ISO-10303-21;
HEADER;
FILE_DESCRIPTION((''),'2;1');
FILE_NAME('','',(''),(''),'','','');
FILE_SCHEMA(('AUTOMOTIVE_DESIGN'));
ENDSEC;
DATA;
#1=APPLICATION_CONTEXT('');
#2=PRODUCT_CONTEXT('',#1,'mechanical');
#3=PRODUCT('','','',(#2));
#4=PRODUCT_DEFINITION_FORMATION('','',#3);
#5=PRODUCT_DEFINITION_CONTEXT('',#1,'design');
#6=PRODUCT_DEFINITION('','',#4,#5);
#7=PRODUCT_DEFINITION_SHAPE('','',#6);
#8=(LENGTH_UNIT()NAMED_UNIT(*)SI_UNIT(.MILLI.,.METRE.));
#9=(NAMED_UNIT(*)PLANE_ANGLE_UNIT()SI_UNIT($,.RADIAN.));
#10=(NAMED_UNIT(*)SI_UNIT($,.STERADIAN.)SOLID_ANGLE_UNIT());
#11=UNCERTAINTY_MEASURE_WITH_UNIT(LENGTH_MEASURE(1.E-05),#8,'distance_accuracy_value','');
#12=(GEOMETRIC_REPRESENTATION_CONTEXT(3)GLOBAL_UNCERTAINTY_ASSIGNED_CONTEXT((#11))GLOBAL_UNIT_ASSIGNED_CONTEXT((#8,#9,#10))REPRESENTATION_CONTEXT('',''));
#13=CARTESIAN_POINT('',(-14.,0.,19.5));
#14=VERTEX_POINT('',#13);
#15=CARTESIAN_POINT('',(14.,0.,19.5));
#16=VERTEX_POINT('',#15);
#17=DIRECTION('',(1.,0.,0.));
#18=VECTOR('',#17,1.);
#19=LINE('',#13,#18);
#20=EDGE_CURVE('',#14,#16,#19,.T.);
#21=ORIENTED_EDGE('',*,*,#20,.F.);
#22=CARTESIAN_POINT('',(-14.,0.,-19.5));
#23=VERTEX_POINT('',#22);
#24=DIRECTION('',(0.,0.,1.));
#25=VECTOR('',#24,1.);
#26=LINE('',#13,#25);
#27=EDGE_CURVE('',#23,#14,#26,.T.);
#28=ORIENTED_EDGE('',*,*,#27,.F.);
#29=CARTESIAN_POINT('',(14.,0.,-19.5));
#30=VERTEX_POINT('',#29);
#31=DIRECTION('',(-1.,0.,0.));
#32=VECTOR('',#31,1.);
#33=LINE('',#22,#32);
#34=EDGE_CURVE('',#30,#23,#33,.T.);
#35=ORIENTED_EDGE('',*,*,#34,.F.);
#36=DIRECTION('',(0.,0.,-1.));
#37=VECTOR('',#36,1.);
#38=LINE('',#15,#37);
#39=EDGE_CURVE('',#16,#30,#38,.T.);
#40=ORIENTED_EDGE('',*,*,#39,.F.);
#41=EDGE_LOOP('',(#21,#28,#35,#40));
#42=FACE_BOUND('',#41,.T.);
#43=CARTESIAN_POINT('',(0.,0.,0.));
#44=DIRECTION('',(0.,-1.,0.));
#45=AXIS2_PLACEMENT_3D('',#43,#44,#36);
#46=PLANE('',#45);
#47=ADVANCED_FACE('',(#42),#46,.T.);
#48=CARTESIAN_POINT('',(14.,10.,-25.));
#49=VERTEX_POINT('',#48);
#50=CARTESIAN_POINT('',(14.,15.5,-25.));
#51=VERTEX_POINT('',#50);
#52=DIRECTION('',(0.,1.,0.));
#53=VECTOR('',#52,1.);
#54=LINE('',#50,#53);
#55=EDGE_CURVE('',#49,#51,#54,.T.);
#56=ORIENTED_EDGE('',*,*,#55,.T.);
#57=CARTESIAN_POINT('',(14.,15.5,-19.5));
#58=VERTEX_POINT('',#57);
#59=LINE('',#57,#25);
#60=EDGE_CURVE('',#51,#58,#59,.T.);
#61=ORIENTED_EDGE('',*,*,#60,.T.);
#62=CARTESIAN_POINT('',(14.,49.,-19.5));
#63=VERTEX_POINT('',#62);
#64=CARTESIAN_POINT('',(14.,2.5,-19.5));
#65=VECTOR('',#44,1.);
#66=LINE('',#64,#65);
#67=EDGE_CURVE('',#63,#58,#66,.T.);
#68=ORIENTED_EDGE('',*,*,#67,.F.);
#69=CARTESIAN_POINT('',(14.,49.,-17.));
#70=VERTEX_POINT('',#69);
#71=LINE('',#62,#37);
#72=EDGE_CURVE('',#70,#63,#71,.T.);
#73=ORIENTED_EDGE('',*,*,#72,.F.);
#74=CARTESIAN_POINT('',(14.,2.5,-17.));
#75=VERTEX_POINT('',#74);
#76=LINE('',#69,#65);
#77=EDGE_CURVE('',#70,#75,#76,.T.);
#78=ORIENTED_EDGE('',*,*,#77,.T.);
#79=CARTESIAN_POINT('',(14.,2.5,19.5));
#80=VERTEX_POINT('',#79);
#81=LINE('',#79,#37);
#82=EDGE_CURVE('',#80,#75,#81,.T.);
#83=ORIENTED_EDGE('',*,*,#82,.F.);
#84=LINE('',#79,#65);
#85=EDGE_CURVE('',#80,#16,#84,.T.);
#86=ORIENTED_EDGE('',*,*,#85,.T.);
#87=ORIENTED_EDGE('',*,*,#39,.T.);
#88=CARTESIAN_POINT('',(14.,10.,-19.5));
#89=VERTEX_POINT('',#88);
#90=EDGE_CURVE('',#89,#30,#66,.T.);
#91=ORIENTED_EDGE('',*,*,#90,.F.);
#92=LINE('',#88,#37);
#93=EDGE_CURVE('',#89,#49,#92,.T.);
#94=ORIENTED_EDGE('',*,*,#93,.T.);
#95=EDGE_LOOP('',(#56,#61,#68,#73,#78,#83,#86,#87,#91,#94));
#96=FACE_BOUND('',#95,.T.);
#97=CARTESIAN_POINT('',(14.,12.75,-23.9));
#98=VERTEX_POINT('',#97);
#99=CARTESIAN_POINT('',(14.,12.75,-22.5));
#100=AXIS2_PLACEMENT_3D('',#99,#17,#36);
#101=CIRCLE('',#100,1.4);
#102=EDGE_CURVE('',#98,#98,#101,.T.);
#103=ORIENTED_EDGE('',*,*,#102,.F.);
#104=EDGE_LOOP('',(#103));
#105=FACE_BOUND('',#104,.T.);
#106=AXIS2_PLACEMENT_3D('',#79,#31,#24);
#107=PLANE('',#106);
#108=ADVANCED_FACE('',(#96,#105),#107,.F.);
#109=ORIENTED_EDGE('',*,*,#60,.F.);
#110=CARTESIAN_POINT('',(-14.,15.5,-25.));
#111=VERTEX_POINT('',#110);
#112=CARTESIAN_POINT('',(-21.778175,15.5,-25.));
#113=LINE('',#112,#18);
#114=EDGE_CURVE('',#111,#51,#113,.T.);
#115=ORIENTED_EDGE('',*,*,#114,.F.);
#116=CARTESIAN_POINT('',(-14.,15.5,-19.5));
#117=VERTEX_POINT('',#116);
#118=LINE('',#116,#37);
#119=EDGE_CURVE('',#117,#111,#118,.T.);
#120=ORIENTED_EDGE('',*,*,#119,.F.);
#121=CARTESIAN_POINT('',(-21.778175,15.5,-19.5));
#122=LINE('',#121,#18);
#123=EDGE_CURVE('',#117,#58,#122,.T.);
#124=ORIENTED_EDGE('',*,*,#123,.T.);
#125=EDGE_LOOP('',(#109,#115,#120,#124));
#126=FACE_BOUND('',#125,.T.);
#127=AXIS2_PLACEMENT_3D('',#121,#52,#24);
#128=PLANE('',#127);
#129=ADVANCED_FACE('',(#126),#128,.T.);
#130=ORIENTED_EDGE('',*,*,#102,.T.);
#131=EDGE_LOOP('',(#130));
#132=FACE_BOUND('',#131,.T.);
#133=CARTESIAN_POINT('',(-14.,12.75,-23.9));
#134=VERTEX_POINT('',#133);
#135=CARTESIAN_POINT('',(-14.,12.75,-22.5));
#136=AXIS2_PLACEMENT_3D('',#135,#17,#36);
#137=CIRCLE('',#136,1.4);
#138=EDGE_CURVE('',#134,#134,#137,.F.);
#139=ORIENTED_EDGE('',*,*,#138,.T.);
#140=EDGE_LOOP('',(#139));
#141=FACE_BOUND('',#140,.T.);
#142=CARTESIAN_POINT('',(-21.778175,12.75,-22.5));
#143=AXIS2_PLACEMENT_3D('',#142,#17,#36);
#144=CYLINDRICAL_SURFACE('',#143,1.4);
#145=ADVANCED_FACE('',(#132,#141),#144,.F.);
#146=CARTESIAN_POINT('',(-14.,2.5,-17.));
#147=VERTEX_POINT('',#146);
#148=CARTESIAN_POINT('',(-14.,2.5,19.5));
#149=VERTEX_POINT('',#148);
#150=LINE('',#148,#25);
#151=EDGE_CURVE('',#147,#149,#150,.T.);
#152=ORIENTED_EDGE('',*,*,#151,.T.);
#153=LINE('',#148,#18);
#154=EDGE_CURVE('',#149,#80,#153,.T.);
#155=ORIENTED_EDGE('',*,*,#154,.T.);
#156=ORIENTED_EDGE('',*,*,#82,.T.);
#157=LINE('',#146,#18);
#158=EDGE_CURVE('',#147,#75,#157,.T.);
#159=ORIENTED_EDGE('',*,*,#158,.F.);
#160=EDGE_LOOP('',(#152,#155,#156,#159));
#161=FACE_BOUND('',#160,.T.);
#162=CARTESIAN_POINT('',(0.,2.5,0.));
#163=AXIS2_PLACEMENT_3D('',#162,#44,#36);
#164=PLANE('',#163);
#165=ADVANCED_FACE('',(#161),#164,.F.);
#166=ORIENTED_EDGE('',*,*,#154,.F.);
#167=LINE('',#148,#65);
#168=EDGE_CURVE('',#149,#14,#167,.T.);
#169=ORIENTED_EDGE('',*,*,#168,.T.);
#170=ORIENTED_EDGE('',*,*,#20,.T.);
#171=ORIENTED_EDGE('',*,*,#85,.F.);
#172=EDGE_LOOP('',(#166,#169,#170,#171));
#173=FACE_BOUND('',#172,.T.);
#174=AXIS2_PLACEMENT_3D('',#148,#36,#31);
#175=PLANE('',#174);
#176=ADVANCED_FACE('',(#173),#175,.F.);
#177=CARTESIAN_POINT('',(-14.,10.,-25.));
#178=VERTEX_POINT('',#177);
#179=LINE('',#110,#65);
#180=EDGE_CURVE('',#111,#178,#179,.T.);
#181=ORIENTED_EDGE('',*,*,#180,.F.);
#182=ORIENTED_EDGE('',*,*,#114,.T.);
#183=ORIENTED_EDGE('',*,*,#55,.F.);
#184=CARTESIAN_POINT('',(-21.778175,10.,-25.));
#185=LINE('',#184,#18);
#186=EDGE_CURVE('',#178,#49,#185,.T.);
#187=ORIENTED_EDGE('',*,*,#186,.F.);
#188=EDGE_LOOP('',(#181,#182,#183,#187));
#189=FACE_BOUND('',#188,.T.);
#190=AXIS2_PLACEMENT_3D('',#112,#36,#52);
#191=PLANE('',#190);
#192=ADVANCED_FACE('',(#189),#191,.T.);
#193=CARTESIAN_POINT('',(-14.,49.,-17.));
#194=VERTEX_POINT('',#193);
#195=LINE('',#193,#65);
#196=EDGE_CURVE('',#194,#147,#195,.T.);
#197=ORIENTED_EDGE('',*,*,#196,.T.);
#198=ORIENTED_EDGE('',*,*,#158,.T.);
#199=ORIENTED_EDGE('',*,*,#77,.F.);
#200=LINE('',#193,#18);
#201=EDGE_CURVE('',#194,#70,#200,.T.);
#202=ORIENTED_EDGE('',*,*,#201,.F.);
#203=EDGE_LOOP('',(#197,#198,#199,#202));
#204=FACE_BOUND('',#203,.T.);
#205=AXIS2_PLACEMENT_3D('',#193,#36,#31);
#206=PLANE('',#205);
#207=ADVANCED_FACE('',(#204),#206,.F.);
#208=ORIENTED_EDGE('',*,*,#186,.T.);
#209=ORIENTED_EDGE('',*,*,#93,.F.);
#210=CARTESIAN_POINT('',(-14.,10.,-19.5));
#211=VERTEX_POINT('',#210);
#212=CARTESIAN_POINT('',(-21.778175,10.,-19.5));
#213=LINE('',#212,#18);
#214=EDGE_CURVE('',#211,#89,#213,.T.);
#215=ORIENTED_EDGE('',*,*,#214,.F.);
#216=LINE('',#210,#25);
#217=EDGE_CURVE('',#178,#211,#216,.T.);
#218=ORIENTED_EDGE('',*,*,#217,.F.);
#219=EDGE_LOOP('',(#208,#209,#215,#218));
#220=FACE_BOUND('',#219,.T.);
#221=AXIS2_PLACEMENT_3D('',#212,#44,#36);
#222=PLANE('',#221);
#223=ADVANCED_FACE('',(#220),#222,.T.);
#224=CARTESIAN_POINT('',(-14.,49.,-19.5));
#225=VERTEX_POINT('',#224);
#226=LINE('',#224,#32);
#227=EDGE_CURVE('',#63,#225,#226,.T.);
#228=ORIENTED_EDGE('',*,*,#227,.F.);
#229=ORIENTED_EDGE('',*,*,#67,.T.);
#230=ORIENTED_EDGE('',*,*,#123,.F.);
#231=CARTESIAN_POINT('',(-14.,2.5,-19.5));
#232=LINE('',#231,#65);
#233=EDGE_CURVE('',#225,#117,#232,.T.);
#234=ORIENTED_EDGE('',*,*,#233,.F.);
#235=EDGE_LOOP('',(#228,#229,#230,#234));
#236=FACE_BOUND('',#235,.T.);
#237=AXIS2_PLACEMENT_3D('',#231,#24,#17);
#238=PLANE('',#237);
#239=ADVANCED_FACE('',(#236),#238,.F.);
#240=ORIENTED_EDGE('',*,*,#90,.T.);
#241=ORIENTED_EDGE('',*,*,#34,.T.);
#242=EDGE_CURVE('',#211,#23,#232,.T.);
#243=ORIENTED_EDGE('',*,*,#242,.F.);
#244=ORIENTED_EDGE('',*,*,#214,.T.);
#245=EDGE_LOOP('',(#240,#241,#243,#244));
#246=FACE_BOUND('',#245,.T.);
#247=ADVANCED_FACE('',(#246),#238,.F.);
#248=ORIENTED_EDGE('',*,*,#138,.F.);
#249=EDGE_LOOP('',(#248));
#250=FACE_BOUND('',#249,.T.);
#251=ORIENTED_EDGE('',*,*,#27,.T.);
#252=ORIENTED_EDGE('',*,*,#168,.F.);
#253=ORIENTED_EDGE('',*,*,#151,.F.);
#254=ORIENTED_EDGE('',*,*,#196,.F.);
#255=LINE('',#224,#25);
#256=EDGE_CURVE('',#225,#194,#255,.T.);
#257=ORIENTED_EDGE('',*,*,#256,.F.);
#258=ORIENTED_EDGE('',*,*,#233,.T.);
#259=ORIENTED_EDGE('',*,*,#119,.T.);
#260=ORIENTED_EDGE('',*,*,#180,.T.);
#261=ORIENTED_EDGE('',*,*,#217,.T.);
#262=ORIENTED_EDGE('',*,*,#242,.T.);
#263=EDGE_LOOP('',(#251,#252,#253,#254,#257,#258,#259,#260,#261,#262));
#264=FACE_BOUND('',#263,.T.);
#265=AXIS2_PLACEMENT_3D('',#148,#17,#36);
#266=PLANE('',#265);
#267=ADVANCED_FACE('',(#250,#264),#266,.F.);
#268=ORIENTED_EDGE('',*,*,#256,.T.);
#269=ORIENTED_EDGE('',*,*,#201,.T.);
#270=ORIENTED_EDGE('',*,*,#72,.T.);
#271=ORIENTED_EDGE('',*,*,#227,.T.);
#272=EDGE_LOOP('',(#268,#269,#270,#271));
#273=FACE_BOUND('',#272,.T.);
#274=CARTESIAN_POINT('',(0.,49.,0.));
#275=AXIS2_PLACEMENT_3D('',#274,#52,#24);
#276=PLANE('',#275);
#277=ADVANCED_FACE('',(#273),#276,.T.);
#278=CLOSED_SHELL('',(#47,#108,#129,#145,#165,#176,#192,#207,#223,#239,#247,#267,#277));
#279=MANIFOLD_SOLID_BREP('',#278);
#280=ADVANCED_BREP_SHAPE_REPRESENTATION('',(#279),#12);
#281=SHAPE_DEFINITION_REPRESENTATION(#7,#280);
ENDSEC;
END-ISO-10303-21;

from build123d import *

# Parameters (mm, degrees)
SKETCH1_W           = 28
SKETCH1_H           = 39
BOSS_EXTRUDE1_DEPTH = 2.5
SKETCH2_W           = 28
SKETCH2_H           = 2.5
BOSS_EXTRUDE2_DEPTH = 46.5
SKETCH3_W           = 5.5
SKETCH3_H           = 5.5
SKETCH3_R           = 1.4
BOSS_EXTRUDE3_DEPTH = 28


with BuildPart() as part:
    # Sketch1 → Boss-Extrude1 (new body)
    with BuildSketch(Plane(origin=(0, 0, 0), x_dir=(1, 0, 0), z_dir=(0, 1, 0))):
        Rectangle(SKETCH1_W, SKETCH1_H)
    extrude(amount=BOSS_EXTRUDE1_DEPTH)

    # Sketch2 → Boss-Extrude2 (add)
    with BuildSketch(Plane(origin=(0, 2.5, 0), x_dir=(1, 0, 0), z_dir=(0, 1, 0))):
        with Locations((0, 18.25)):
            Rectangle(SKETCH2_W, SKETCH2_H)
    extrude(amount=BOSS_EXTRUDE2_DEPTH)

    # Sketch3 → Boss-Extrude3 (add)
    with BuildSketch(Plane(origin=(14, 0, 0), x_dir=(0, 0, -1), z_dir=(1, 0, 0))):
        with Locations((22.25, 12.75)):
            Rectangle(SKETCH3_W, SKETCH3_H)
        with Locations((22.5, 12.75)):
            Circle(SKETCH3_R, mode=Mode.SUBTRACT)
    extrude(amount=-BOSS_EXTRUDE3_DEPTH)


solid = part.part
